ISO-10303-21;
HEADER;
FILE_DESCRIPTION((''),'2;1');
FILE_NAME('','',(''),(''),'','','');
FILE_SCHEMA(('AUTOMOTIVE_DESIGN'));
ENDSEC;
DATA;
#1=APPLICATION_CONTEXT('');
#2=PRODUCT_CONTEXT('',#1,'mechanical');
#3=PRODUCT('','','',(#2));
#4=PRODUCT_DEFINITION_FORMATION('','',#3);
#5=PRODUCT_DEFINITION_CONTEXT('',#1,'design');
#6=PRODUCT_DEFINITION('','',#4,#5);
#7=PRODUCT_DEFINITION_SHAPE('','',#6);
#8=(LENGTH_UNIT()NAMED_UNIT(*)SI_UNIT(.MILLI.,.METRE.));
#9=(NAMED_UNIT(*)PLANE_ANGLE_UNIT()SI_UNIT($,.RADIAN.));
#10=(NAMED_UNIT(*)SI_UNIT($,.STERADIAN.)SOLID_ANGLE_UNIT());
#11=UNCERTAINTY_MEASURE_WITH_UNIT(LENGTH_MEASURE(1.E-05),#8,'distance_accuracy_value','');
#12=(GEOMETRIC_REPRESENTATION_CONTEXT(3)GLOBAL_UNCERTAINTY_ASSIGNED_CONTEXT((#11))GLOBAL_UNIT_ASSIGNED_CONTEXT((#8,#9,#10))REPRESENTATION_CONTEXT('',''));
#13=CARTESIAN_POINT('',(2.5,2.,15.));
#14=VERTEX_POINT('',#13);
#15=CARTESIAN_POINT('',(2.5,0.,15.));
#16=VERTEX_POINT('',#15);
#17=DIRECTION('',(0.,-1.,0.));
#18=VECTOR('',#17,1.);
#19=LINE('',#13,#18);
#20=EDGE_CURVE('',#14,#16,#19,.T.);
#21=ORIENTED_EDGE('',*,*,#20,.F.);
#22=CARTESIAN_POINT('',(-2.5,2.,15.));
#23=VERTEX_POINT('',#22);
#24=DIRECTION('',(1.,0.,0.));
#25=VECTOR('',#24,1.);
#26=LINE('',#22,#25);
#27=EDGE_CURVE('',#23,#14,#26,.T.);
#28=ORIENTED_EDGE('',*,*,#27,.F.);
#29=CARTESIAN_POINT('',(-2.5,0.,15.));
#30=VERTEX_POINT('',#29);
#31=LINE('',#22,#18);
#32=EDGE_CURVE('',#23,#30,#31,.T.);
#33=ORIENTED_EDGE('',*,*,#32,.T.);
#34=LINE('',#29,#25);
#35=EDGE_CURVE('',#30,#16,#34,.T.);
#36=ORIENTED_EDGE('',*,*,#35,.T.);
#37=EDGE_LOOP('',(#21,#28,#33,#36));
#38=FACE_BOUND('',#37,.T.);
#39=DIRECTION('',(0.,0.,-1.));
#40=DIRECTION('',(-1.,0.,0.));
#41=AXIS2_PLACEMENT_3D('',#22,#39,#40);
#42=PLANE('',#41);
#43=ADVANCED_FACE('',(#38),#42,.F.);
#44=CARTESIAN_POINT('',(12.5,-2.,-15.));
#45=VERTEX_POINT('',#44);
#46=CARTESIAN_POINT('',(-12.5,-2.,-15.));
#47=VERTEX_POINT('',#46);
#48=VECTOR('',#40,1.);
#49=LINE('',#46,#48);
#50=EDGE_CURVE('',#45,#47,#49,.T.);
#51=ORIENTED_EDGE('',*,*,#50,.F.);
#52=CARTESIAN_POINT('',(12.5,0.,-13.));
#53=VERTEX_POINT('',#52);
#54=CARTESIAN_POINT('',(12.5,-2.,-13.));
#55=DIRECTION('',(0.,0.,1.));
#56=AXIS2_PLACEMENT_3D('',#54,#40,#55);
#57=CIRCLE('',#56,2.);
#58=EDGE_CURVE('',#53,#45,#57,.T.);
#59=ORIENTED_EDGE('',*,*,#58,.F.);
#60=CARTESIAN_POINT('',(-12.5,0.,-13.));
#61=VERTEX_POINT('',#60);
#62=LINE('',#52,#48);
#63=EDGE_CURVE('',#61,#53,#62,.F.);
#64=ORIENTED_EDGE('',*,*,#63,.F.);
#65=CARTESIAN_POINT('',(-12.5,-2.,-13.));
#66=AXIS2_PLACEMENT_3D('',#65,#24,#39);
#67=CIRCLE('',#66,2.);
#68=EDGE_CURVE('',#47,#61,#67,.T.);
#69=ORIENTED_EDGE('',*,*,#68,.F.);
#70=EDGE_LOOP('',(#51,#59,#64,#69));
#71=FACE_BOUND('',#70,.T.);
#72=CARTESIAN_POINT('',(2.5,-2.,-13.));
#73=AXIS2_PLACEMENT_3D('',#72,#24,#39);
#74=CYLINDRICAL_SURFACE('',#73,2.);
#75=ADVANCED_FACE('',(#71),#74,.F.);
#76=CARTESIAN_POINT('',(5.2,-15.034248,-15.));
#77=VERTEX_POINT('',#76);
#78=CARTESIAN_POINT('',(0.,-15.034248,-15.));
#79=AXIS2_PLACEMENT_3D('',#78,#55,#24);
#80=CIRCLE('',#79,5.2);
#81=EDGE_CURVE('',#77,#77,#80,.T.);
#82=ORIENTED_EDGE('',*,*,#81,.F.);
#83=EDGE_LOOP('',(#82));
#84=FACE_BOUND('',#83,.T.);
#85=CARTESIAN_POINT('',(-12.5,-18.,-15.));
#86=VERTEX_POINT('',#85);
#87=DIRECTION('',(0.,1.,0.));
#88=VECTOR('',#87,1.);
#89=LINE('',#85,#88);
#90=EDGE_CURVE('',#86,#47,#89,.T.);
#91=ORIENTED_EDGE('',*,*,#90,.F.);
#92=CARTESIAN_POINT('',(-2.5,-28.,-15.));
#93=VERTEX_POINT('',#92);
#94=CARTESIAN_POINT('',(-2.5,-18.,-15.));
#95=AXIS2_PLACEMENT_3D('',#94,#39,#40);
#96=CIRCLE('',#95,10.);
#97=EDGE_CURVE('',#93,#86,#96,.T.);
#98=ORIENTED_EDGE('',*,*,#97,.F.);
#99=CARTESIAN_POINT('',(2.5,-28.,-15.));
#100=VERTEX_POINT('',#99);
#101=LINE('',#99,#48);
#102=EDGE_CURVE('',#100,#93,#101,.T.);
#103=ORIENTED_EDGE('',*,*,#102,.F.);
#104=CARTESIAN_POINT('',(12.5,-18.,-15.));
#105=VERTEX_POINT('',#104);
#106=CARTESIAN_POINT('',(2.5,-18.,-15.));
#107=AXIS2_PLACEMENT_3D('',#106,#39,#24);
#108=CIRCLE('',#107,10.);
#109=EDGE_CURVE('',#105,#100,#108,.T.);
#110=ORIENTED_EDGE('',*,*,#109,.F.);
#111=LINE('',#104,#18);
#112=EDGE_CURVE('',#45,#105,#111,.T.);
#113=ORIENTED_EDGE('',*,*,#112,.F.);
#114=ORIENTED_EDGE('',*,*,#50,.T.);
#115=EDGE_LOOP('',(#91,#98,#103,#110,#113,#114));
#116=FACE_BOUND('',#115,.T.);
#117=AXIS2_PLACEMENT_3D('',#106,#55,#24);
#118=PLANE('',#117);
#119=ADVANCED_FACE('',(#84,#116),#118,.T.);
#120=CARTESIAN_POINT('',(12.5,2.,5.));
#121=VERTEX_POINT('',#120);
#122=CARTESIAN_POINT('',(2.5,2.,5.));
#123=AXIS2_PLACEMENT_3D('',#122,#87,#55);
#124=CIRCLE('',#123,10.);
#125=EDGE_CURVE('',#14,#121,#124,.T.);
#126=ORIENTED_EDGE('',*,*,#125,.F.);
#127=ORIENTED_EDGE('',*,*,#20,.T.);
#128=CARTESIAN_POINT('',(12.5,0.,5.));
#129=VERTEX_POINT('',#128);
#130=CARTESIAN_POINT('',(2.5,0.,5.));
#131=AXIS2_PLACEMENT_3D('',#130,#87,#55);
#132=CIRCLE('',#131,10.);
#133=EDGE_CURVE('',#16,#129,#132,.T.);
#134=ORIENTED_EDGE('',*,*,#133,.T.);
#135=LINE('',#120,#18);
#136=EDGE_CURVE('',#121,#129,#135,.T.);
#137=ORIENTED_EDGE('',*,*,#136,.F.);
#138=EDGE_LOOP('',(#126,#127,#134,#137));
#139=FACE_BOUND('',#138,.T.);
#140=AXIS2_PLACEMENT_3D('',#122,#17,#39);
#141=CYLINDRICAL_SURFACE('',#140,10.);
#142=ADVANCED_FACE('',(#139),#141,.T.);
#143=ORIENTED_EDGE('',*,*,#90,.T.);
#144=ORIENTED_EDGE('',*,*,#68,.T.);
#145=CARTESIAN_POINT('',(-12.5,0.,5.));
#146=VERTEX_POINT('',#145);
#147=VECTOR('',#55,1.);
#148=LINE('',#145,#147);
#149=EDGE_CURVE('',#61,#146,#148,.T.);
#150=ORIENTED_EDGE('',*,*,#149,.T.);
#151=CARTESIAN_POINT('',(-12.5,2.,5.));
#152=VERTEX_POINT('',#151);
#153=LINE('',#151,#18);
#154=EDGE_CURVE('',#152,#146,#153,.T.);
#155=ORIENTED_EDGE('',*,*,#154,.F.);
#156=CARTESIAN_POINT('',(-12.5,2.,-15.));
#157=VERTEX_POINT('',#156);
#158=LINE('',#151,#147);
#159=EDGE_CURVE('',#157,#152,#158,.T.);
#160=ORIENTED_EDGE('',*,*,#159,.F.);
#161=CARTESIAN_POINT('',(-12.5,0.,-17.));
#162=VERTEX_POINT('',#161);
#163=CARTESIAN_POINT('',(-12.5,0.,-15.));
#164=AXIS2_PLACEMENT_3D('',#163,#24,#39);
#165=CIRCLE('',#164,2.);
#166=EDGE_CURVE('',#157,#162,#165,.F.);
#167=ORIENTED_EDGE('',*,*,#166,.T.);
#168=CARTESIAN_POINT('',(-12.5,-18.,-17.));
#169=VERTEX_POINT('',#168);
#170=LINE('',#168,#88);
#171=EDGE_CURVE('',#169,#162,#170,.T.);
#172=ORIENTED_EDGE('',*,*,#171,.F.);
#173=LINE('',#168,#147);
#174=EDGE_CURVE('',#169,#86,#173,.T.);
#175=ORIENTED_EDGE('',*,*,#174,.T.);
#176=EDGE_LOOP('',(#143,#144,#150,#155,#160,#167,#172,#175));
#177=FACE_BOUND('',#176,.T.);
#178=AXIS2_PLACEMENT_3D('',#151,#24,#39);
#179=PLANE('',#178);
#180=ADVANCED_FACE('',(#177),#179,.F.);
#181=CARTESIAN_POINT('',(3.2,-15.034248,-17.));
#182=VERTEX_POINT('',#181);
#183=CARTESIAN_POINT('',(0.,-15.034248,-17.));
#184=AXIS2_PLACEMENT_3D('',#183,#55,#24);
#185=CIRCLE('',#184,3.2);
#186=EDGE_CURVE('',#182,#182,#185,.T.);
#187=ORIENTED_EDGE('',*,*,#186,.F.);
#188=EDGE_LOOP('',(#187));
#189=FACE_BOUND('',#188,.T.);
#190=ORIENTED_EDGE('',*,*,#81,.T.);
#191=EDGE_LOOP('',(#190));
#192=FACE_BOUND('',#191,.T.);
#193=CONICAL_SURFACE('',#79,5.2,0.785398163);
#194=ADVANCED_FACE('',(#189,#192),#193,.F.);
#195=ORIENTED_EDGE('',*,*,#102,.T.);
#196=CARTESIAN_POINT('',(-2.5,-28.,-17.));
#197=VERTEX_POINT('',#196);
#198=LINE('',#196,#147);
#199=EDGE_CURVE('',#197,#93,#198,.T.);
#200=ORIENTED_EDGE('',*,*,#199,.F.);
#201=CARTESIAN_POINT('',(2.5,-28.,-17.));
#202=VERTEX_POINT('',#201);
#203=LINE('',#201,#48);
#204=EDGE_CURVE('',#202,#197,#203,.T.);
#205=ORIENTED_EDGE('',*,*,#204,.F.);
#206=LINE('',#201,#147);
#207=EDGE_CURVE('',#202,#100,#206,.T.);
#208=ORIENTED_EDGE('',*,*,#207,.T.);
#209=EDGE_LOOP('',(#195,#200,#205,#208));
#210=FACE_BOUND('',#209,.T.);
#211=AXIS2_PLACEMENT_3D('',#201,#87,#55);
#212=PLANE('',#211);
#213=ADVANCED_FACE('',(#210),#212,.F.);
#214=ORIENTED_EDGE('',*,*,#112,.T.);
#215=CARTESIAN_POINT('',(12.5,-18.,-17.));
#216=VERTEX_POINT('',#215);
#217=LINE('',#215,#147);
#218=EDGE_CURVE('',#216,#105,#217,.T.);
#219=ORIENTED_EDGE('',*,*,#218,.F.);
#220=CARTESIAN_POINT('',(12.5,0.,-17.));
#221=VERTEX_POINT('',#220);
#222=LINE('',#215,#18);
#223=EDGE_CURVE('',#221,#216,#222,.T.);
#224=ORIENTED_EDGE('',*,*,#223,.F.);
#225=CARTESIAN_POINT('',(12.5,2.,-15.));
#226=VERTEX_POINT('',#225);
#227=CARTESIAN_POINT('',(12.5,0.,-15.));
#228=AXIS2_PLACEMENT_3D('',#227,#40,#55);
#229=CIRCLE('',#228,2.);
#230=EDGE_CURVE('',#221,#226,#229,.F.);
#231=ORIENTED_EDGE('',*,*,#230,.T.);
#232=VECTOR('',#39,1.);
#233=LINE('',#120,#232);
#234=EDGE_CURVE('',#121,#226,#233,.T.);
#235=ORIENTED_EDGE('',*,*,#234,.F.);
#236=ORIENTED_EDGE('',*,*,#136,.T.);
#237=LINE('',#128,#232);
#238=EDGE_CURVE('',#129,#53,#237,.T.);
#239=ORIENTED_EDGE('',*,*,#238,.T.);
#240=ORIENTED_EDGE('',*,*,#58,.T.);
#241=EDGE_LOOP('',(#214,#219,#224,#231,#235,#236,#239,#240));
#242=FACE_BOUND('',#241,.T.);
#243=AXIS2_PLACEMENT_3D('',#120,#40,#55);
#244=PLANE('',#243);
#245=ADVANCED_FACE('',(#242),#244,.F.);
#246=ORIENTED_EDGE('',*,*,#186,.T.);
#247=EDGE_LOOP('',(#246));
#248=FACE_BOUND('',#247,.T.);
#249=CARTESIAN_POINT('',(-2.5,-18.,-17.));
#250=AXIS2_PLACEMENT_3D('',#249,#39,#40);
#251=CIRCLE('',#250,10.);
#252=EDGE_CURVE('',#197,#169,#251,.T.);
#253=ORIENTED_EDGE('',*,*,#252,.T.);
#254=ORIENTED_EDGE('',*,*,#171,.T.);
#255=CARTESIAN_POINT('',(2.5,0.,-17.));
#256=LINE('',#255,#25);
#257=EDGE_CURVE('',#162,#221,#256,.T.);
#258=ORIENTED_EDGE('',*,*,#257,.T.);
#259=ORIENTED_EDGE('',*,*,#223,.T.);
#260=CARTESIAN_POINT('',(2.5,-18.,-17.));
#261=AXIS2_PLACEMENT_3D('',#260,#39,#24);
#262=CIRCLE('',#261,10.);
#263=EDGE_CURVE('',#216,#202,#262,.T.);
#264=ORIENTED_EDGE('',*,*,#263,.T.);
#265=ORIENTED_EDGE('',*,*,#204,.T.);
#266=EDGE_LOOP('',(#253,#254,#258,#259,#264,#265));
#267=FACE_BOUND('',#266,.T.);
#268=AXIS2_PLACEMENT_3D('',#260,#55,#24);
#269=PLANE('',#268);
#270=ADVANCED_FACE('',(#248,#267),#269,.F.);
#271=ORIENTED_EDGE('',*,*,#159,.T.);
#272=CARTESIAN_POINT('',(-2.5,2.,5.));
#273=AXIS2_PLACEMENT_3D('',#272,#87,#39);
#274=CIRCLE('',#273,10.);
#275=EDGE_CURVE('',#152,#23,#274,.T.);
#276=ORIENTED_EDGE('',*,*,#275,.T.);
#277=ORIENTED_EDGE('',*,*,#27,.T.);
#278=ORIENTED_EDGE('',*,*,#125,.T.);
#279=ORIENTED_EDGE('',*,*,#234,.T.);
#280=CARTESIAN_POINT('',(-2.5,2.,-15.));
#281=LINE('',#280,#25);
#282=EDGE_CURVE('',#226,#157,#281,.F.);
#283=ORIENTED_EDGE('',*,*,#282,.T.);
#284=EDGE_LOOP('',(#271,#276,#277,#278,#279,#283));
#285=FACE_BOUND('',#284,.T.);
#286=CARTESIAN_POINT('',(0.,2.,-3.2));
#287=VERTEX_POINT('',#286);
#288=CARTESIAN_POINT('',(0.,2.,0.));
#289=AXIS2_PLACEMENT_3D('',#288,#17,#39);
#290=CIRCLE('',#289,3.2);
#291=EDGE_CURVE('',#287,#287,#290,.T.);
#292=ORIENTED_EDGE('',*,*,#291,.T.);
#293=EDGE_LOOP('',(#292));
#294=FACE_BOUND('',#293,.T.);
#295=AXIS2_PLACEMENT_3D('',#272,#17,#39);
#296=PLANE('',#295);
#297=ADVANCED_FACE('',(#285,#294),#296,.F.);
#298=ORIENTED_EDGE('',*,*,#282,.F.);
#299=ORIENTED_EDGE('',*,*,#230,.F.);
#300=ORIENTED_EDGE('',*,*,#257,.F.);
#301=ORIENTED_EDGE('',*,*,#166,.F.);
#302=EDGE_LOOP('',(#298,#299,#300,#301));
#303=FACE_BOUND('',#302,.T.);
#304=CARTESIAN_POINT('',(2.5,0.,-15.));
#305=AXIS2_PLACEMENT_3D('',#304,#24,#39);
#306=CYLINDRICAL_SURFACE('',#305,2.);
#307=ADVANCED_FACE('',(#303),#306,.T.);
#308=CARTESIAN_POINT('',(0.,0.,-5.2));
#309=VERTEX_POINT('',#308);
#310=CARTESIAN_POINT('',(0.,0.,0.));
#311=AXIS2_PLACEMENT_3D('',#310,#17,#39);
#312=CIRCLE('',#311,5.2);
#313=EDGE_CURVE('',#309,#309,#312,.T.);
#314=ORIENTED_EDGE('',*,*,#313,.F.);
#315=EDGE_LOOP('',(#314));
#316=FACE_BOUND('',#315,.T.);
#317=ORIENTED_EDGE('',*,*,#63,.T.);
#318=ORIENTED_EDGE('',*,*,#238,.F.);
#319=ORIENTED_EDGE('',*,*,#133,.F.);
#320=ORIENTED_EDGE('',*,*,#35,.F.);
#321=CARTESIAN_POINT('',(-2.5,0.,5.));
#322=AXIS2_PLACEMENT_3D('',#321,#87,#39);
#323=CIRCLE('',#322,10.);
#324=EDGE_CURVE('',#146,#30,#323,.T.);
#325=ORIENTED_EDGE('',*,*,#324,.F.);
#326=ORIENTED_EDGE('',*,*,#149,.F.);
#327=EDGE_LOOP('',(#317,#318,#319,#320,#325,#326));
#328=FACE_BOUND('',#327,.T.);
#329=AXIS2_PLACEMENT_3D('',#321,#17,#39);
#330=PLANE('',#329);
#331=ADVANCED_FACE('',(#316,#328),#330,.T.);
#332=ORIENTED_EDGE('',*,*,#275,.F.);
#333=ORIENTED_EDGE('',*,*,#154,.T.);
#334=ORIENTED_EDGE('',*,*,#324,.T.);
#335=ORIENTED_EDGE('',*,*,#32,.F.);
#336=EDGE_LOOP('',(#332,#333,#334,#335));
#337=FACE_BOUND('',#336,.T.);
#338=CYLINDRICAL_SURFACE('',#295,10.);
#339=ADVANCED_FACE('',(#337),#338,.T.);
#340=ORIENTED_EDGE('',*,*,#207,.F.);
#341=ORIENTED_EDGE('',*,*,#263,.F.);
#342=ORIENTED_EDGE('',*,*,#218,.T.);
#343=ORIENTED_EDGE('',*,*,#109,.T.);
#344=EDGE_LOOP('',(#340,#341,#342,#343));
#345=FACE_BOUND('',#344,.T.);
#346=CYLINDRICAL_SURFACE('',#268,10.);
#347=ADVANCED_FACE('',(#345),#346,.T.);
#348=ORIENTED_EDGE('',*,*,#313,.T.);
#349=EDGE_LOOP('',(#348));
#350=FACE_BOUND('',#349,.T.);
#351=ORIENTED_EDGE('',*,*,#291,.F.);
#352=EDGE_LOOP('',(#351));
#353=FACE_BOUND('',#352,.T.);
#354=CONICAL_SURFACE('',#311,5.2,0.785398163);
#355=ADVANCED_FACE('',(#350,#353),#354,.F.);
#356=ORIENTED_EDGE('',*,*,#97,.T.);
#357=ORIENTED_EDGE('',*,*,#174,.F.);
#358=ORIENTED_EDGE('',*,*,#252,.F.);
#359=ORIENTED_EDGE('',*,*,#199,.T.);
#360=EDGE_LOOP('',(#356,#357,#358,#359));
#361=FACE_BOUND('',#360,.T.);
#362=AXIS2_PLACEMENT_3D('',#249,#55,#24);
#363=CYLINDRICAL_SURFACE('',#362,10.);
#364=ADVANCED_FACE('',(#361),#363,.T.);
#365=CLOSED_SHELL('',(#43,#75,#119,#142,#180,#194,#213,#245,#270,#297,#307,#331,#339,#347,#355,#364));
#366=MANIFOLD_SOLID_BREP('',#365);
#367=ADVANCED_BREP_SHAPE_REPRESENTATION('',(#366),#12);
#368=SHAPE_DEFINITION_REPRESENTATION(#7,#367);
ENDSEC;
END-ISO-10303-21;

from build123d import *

# Parameters (mm, degrees)
EXTRUDE_1_DEPTH = 2
EXTRUDE_2_DEPTH = 2
FILLET_1_R      = 2
FILLET_2_R      = 2


with BuildPart() as part:
    # Эскиз1 → Бобышка-Вытянуть1 (new body)
    with BuildSketch(Plane(origin=(0, 0, 0), x_dir=(1, 0, 0), z_dir=(0, 1, 0))):
        with BuildLine():
            Line((-2.5, -15), (2.5, -15))
            ThreePointArc((2.5, -15), (9.571067812, -12.071067812), (12.5, -5))
            Line((12.5, -5), (12.5, 15))
            Line((12.5, 15), (-12.5, 15))
            Line((-12.5, 15), (-12.5, -5))
            ThreePointArc((-12.5, -5), (-9.571067812, -12.071067812), (-2.5, -15))
        make_face()
    extrude(amount=EXTRUDE_1_DEPTH)

    # Эскиз3 → Бобышка-Вытянуть2 (add)
    with BuildSketch(Plane(origin=(0, 0, -15), x_dir=(-1, 0, 0), z_dir=(0, 0, -1))):
        with BuildLine():
            Line((-2.5, -28), (2.5, -28))
            ThreePointArc((2.5, -28), (9.571067812, -25.071067812), (12.5, -18))
            Line((12.5, -18), (12.5, 2))
            Line((12.5, 2), (-12.5, 2))
            Line((-12.5, 2), (-12.5, -18))
            ThreePointArc((-12.5, -18), (-9.571067812, -25.071067812), (-2.5, -28))
        make_face()
    extrude(amount=EXTRUDE_2_DEPTH)

    # Скругление1
    fillet_1_edges = [part.edges().sort_by_distance(p)[0] for p in [
        (0, 0, -15),
    ]]
    fillet(fillet_1_edges, radius=FILLET_1_R)

    # Скругление2
    fillet_2_edges = [part.edges().sort_by_distance(p)[0] for p in [
        (0, 2, -17),
    ]]
    fillet(fillet_2_edges, radius=FILLET_2_R)

    # Эскиз7 → Зенковка для винта с полупотайной головкой M52 (revolve, cut)
    with BuildSketch(Plane(origin=(0, -15.034247801, -15), x_dir=(0, -1, 0), z_dir=(1, 0, 0))):
        Polygon((0, 0), (0, 2), (2.75, 2), (2.75, 2.45), (5.2, 0), align=None)
    revolve(axis=Axis((0, -15.034247801, -8.65), (0, 0, -1)), mode=Mode.SUBTRACT)

    # Эскиз9 → Зенковка для винта с полупотайной головкой M53 (revolve, cut)
    with BuildSketch(Plane(origin=(0, 0, 0), x_dir=(0, 0, -1), z_dir=(1, 0, 0))):
        Polygon((0, 0), (0, 2), (2.75, 2), (2.75, 2.45), (5.2, 0), align=None)
    revolve(axis=Axis((0, -6.35, 0), (0, 1, 0)), mode=Mode.SUBTRACT)


solid = part.part
